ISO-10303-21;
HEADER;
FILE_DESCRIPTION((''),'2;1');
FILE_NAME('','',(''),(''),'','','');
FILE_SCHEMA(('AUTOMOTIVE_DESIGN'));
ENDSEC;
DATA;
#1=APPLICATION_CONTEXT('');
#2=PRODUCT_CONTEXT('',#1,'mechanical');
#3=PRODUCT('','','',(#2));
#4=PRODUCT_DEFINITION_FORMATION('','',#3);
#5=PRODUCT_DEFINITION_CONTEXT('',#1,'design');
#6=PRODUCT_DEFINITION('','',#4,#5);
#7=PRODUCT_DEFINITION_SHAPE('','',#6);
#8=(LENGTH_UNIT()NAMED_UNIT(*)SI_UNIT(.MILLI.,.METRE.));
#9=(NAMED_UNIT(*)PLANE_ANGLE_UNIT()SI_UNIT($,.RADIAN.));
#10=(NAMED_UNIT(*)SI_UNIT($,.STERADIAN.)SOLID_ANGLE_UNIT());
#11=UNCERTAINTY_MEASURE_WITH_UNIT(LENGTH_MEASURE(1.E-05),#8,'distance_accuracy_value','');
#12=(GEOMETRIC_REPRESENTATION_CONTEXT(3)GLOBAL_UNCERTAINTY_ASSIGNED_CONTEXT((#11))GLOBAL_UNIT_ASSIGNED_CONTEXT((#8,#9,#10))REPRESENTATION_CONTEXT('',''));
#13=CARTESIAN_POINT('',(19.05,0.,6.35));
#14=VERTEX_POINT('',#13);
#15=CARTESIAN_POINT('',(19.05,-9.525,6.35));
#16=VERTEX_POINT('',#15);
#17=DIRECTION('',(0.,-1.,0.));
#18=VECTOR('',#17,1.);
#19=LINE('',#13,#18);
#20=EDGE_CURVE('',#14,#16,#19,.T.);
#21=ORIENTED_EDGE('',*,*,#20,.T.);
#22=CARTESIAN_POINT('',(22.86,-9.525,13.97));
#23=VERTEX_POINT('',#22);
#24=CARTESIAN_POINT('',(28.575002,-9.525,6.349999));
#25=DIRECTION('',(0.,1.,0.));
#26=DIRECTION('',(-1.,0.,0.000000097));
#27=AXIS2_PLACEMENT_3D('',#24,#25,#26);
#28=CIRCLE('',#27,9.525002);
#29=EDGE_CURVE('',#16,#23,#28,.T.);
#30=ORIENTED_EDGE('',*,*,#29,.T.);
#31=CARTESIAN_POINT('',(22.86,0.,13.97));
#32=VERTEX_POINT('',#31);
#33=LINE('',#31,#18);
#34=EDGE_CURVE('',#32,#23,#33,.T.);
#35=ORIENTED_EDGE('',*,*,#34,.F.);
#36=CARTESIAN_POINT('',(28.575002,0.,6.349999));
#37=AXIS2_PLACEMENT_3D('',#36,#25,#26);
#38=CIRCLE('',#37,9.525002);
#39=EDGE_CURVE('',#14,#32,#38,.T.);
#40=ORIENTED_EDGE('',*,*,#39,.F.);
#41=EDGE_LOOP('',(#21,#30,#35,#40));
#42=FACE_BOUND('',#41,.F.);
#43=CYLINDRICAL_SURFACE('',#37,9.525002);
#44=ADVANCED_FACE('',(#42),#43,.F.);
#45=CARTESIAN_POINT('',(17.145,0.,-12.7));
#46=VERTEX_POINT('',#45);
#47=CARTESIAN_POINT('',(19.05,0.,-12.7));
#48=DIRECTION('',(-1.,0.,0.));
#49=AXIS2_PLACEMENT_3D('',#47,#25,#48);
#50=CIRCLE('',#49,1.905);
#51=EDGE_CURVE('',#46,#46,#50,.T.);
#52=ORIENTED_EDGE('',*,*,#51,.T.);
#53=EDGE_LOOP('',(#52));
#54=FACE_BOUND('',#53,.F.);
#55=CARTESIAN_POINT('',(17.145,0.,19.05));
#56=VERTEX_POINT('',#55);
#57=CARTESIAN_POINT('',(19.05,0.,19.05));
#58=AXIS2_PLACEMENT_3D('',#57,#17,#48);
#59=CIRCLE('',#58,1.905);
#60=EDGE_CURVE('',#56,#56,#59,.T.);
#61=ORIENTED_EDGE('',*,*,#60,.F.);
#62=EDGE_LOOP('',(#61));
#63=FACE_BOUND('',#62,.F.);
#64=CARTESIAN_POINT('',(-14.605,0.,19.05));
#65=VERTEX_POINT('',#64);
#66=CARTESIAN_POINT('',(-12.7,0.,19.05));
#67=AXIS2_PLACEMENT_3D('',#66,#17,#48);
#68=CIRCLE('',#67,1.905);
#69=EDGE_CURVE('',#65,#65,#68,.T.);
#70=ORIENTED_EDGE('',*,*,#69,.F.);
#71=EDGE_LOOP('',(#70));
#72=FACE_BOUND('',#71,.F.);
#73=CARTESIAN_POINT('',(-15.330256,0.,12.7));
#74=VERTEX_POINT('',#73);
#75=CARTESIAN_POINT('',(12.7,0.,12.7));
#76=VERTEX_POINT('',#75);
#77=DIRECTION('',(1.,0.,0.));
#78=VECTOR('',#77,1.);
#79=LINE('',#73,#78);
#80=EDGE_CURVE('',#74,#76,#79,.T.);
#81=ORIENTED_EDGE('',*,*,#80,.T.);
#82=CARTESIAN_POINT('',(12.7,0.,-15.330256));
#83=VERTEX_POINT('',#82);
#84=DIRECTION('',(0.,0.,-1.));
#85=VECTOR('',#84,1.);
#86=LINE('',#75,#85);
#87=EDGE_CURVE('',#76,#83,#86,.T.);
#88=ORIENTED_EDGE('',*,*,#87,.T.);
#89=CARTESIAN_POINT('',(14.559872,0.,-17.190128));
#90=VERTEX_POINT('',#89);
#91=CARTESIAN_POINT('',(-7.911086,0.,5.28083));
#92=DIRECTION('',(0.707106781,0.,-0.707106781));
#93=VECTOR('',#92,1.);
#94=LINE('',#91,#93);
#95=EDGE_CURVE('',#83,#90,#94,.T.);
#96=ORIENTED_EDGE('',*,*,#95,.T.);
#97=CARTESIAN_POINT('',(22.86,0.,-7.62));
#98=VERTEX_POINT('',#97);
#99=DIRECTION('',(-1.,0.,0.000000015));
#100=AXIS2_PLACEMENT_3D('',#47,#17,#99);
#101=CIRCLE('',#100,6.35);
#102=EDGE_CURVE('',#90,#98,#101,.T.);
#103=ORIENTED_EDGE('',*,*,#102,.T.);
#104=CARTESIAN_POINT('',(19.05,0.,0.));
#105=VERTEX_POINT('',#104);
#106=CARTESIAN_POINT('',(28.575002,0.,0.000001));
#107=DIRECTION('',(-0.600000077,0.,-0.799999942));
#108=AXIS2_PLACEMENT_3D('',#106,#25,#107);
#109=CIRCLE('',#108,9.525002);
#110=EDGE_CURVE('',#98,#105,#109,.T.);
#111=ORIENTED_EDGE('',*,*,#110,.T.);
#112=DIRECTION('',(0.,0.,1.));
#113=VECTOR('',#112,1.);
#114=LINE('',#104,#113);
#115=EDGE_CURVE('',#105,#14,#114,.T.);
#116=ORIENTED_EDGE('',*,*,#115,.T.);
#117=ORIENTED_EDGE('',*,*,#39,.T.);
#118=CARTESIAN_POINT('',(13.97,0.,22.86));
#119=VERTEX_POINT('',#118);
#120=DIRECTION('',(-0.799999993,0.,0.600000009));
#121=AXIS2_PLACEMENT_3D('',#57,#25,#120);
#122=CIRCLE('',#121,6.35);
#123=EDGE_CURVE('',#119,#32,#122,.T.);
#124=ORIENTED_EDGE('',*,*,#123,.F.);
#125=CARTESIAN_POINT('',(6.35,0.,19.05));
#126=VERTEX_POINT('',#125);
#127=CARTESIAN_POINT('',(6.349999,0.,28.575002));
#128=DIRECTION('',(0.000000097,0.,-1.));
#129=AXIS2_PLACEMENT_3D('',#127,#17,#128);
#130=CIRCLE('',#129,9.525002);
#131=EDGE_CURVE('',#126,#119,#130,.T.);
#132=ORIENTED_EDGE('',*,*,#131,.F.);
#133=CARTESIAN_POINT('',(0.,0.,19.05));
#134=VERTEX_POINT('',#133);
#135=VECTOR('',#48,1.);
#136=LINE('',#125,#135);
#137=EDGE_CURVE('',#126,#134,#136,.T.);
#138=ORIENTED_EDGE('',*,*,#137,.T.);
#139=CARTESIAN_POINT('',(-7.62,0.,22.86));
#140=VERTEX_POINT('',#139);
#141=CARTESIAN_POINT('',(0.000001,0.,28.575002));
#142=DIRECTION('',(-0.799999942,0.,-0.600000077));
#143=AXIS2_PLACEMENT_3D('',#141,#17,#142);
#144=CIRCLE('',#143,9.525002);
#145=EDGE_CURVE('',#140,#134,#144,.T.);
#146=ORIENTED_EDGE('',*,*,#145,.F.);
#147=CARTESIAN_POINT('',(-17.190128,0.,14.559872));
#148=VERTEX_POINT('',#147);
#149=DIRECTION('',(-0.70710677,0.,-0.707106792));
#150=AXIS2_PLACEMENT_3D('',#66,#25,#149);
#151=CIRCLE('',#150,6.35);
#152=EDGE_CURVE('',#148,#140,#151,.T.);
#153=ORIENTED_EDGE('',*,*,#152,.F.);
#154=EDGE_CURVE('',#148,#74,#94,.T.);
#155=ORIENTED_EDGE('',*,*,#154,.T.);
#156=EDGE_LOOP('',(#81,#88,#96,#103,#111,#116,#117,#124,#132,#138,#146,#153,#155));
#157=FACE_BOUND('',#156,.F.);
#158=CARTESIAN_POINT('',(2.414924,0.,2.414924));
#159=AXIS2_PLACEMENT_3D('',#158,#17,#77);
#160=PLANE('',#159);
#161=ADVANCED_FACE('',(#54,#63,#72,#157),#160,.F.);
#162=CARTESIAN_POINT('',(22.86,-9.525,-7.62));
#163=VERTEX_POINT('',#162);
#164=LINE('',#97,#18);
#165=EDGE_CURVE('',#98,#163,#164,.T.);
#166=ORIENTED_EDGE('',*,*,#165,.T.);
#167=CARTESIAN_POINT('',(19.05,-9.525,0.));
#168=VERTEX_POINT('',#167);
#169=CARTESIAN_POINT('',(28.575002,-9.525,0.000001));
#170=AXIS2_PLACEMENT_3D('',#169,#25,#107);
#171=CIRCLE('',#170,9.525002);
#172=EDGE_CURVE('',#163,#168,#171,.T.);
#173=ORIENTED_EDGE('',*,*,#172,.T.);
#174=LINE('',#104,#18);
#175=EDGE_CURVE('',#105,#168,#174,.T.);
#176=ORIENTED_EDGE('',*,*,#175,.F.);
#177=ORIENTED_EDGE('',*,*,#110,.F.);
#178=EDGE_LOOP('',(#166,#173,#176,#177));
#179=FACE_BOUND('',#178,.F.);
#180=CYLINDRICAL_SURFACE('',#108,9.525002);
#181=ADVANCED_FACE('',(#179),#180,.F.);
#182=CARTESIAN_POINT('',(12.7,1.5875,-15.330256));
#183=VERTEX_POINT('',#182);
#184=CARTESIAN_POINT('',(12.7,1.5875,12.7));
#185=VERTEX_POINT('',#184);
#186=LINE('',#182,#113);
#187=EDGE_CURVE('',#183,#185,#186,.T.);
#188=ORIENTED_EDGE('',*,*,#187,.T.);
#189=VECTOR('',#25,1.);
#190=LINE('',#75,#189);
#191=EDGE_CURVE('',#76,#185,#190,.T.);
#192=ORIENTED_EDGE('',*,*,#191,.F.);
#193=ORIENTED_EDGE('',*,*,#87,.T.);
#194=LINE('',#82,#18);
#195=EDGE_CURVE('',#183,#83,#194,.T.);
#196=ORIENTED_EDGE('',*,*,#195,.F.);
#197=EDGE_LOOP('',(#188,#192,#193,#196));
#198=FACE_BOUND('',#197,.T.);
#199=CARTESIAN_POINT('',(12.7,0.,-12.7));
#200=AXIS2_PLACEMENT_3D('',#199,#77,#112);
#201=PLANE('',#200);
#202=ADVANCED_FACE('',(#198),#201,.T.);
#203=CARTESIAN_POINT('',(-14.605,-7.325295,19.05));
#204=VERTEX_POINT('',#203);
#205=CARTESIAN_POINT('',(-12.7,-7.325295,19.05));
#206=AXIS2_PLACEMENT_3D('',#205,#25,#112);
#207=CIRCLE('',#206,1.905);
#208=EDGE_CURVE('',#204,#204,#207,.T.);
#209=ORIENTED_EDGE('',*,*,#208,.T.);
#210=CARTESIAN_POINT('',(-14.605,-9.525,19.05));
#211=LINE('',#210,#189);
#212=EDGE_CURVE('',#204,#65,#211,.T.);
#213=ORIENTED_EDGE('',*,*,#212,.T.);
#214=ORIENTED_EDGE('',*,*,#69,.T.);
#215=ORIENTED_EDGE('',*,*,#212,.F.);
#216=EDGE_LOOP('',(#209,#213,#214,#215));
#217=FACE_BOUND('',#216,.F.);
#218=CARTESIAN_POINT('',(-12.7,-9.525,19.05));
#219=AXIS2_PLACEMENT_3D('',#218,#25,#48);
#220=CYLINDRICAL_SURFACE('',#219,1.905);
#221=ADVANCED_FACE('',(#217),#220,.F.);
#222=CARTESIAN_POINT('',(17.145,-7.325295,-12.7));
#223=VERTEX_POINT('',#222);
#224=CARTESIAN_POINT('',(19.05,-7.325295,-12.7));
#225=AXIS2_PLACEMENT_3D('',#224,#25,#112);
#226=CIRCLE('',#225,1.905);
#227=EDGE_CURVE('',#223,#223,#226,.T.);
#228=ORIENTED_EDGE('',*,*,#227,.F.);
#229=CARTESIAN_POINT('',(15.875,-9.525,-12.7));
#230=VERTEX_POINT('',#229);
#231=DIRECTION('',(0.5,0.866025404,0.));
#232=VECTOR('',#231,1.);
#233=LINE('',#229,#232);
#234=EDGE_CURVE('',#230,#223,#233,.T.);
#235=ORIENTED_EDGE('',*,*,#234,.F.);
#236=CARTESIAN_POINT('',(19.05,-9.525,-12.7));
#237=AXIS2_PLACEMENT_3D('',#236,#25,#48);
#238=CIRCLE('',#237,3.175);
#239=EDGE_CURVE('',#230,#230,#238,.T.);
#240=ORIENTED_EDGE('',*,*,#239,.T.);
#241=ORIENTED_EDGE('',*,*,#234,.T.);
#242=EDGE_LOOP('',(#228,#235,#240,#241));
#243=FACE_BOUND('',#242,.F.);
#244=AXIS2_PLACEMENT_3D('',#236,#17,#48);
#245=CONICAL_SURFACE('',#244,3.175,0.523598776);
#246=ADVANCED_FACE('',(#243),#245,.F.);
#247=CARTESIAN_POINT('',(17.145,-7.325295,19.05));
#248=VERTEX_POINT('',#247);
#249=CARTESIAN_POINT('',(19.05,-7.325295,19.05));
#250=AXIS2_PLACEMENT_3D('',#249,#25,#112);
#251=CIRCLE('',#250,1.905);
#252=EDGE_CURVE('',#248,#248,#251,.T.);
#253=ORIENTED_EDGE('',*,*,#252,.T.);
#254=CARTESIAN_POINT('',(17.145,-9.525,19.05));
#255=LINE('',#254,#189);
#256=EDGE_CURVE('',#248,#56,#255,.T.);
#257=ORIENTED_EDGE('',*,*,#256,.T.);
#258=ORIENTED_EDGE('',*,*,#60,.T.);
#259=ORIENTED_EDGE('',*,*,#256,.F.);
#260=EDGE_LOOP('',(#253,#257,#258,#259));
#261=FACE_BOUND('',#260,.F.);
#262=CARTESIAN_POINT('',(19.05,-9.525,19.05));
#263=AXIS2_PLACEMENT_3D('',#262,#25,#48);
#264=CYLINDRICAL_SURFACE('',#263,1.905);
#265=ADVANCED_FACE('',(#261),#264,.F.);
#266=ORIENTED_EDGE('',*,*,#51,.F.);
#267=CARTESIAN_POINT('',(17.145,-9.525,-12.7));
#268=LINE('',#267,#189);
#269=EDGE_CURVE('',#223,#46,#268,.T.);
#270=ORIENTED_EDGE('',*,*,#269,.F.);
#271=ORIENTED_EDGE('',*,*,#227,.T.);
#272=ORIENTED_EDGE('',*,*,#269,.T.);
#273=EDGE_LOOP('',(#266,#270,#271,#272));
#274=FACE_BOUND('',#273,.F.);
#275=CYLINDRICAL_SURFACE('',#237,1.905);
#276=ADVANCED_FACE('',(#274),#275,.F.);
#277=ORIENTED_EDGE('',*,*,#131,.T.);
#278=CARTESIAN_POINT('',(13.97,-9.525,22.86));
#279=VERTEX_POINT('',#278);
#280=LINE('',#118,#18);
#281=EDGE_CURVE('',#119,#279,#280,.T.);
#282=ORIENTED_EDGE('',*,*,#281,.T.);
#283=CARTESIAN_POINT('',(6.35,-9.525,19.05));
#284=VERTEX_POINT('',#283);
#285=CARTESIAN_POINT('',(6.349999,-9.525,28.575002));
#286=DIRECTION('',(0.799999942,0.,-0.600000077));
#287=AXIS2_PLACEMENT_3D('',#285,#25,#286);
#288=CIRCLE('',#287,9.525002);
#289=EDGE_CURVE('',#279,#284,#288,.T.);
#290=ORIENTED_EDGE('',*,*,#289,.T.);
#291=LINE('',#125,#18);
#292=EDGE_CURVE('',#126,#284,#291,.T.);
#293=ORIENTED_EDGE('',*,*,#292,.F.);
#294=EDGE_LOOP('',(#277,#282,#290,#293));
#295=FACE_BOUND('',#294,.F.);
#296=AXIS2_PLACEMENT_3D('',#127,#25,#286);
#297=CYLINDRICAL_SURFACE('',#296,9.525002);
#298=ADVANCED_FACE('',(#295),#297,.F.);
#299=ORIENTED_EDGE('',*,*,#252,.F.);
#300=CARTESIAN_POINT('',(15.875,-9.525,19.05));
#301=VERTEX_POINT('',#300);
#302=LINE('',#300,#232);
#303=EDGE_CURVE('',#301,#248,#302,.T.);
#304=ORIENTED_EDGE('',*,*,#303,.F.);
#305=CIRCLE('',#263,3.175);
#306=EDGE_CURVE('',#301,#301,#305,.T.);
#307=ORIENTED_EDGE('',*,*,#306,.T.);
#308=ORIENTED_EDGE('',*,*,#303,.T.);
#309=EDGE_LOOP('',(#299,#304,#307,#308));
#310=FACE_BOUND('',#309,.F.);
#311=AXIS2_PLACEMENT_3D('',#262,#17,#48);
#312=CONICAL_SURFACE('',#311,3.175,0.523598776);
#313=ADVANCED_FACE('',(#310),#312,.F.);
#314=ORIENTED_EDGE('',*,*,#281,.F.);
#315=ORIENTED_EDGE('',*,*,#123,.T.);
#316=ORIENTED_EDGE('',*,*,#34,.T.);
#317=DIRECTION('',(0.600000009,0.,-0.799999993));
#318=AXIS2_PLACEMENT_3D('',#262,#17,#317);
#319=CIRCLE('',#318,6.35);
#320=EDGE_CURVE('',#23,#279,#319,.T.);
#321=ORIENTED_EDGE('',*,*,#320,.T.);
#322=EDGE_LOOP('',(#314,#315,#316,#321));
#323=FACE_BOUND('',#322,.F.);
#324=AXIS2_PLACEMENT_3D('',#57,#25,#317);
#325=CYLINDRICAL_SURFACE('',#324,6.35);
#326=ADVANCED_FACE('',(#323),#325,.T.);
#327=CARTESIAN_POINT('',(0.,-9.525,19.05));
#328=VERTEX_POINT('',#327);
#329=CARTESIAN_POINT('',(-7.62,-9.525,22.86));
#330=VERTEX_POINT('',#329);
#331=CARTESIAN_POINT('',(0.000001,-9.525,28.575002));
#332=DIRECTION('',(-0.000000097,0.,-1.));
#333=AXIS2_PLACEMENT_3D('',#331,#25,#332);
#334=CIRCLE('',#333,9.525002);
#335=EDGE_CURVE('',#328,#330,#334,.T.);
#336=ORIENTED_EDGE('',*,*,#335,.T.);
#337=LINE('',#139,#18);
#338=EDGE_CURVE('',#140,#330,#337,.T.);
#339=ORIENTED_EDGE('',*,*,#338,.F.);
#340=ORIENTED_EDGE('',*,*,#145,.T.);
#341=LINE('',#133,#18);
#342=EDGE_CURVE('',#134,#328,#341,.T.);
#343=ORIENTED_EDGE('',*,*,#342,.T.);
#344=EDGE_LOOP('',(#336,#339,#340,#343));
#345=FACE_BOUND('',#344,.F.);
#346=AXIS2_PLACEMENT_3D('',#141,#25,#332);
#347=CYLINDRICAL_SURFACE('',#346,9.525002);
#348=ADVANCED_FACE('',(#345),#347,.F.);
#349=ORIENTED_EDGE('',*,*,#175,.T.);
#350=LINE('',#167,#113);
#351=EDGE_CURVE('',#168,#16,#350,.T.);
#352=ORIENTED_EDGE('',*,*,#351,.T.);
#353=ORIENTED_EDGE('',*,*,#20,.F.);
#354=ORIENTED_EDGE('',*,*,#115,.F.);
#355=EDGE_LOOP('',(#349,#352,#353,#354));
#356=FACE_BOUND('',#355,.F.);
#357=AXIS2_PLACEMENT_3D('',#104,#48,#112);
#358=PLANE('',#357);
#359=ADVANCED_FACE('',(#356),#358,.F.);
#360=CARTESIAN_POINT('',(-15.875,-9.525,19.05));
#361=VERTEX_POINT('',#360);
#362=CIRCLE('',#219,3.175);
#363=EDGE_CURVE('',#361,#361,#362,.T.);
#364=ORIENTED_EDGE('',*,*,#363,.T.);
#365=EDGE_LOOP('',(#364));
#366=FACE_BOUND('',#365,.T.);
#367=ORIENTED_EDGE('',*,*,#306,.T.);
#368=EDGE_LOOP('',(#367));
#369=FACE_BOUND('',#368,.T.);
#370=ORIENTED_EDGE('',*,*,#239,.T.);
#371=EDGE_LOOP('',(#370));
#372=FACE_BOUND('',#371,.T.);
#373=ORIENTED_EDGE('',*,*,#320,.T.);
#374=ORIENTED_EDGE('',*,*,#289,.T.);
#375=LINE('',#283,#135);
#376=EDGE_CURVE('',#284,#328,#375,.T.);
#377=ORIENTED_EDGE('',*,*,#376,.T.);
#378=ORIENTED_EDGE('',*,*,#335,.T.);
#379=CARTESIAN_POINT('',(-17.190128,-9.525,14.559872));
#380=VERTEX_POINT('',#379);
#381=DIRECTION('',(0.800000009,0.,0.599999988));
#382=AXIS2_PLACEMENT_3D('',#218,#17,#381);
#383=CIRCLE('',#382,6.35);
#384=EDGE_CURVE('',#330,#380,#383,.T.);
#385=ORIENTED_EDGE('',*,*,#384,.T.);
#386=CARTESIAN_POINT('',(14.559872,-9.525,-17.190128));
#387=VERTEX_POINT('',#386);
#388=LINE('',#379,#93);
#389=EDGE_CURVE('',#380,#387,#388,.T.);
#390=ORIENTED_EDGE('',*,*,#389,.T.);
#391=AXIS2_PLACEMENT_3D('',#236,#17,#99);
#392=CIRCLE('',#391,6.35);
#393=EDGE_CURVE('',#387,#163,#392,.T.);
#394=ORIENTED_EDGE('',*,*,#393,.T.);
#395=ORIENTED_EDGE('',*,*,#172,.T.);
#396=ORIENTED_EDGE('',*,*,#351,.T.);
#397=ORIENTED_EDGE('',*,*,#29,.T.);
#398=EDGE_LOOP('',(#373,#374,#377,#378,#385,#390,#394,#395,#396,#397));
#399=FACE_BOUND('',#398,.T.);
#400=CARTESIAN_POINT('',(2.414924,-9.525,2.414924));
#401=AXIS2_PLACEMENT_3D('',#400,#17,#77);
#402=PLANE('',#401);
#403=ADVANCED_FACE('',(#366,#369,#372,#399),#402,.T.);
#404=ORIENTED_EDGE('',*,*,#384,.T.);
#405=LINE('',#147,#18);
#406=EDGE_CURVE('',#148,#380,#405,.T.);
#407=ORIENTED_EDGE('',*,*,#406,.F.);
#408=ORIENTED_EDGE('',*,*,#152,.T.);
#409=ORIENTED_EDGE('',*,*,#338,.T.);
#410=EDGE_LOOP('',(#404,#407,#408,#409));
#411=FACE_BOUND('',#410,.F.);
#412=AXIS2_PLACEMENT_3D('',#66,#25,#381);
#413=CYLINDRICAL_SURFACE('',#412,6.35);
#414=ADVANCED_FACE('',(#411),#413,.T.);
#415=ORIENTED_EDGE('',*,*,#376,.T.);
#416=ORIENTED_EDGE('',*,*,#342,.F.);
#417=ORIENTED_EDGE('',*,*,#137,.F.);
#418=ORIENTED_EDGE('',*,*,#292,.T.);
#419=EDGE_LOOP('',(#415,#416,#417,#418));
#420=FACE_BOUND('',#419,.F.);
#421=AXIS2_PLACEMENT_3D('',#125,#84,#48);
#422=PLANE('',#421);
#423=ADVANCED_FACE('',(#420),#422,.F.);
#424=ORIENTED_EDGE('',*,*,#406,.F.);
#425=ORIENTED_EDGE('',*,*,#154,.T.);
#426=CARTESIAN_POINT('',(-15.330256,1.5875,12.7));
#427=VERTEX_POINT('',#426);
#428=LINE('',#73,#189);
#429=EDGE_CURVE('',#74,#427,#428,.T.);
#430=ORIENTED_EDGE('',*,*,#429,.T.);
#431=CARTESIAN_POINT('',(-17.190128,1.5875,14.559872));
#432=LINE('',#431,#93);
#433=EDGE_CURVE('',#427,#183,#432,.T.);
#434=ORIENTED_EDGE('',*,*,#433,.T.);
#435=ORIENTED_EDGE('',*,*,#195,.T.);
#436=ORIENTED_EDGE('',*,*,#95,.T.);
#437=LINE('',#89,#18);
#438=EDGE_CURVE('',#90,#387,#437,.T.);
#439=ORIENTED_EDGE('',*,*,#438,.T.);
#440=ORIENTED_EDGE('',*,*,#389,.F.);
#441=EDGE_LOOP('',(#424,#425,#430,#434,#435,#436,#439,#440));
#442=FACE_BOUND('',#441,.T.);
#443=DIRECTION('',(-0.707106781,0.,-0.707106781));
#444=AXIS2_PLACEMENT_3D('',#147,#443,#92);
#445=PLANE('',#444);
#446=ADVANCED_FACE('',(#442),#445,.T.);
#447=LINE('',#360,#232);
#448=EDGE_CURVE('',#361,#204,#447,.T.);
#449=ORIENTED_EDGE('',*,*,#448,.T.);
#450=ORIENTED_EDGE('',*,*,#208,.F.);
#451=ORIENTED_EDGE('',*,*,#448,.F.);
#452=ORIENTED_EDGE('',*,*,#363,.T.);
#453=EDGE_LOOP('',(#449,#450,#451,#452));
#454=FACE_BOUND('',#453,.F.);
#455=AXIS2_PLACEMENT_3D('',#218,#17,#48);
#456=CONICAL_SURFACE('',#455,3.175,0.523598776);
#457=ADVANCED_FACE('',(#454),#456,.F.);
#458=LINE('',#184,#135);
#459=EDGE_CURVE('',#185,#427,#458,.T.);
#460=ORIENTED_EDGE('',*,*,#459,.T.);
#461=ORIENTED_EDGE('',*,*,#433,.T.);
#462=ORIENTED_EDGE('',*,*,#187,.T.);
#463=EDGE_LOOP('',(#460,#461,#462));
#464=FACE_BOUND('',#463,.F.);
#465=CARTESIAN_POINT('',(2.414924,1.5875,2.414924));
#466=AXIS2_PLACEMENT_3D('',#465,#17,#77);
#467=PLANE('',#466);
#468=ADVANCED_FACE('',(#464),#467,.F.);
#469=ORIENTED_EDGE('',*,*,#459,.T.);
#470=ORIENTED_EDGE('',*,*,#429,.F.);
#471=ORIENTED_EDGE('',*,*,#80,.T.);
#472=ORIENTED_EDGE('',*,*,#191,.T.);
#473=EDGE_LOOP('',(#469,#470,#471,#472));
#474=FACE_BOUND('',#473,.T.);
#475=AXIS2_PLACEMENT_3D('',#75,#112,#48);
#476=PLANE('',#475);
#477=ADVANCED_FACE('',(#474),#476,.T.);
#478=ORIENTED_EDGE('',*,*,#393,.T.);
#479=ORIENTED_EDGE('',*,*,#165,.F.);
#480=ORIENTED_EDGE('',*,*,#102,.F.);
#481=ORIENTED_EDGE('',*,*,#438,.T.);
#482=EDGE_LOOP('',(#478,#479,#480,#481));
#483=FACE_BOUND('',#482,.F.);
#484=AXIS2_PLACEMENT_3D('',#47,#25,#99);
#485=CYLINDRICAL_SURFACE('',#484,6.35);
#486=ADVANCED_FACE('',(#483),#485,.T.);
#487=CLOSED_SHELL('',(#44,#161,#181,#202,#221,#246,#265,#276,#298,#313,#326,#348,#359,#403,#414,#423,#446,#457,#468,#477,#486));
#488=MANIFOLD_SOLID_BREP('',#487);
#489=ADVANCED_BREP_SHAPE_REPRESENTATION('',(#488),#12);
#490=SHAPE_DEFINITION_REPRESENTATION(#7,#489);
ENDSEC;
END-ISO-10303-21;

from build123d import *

# Parameters (mm, degrees)
F1_DEPTH       = 9.525
F3_D           = 3.81
F3_CSINK_D     = 6.35
F3_CSINK_ANGLE = 60
F5_DEPTH       = 9.525
F5_DEPTH_BACK  = 1.5875
F7_DEPTH       = 25.4


with BuildPart() as f1:
    # F0 (on Front) → F1 (new body)
    with BuildSketch(Plane.XZ):
        with BuildLine():
            ThreePointArc((0, 19.05), (-4.259709, 20.055581), (-7.62, 22.86))
            ThreePointArc((-7.62, 22.86), (-18.379613, 21.889806), (-12.7, 12.7))
            Line((-12.7, 12.7), (12.7, 12.7))
            Line((12.7, 12.7), (12.7, -12.7))
            ThreePointArc((12.7, -12.7), (21.889806, -18.379613), (22.86, -7.62))
            ThreePointArc((22.86, -7.62), (20.055581, -4.259709), (19.05, 0))
            Line((19.05, 0), (19.05, 6.35))
            ThreePointArc((19.05, 6.35), (20.055581, 10.609709), (22.86, 13.97))
            ThreePointArc((22.86, 13.97), (23.540128, 23.540128), (13.97, 22.86))
            ThreePointArc((13.97, 22.86), (10.609709, 20.055581), (6.35, 19.05))
            Line((6.35, 19.05), (0, 19.05))
        make_face()
    extrude(amount=F1_DEPTH)

    # F3 (through all)
    with Locations(Plane.XZ.offset(9.525)):
        with Locations((-12.7, 19.05), (19.05, 19.05), (19.05, -12.7)):
            CounterSinkHole(F3_D / 2, F3_CSINK_D / 2, counter_sink_angle=F3_CSINK_ANGLE)

    # F4 (on Front) → F5 (join, two sides)
    with BuildSketch(Plane.XZ) as f5_sk:
        with BuildLine():
            Line((12.7, -12.7), (12.7, 12.7))
            Line((12.7, 12.7), (-12.7, 12.7))
            ThreePointArc((-12.7, 12.7), (-15.13004, 13.183365), (-17.190128, 14.559872))
            Line((-17.190128, 14.559872), (14.559872, -17.190128))
            ThreePointArc((14.559872, -17.190128), (13.183365, -15.13004), (12.7, -12.7))
        make_face()
    extrude(amount=F5_DEPTH)
    extrude(f5_sk.sketch, amount=-F5_DEPTH_BACK)

    # F6 (on face) → F7 (cut)
    with BuildSketch(Plane(origin=(0, 0, 0), x_dir=(-1, 0, 0), z_dir=(0, 1, 0))):
        Polygon((-12.7, -24.797732), (-12.7, -12.7), (-12.7, 12.7), (12.7, 12.7), (24.978289, 12.7), (24.821575, 21.179355), (-31.780545, 20.13324), (-31.780545, -24.797732), align=None)
    extrude(amount=F7_DEPTH, mode=Mode.SUBTRACT)


solid = f1.part
